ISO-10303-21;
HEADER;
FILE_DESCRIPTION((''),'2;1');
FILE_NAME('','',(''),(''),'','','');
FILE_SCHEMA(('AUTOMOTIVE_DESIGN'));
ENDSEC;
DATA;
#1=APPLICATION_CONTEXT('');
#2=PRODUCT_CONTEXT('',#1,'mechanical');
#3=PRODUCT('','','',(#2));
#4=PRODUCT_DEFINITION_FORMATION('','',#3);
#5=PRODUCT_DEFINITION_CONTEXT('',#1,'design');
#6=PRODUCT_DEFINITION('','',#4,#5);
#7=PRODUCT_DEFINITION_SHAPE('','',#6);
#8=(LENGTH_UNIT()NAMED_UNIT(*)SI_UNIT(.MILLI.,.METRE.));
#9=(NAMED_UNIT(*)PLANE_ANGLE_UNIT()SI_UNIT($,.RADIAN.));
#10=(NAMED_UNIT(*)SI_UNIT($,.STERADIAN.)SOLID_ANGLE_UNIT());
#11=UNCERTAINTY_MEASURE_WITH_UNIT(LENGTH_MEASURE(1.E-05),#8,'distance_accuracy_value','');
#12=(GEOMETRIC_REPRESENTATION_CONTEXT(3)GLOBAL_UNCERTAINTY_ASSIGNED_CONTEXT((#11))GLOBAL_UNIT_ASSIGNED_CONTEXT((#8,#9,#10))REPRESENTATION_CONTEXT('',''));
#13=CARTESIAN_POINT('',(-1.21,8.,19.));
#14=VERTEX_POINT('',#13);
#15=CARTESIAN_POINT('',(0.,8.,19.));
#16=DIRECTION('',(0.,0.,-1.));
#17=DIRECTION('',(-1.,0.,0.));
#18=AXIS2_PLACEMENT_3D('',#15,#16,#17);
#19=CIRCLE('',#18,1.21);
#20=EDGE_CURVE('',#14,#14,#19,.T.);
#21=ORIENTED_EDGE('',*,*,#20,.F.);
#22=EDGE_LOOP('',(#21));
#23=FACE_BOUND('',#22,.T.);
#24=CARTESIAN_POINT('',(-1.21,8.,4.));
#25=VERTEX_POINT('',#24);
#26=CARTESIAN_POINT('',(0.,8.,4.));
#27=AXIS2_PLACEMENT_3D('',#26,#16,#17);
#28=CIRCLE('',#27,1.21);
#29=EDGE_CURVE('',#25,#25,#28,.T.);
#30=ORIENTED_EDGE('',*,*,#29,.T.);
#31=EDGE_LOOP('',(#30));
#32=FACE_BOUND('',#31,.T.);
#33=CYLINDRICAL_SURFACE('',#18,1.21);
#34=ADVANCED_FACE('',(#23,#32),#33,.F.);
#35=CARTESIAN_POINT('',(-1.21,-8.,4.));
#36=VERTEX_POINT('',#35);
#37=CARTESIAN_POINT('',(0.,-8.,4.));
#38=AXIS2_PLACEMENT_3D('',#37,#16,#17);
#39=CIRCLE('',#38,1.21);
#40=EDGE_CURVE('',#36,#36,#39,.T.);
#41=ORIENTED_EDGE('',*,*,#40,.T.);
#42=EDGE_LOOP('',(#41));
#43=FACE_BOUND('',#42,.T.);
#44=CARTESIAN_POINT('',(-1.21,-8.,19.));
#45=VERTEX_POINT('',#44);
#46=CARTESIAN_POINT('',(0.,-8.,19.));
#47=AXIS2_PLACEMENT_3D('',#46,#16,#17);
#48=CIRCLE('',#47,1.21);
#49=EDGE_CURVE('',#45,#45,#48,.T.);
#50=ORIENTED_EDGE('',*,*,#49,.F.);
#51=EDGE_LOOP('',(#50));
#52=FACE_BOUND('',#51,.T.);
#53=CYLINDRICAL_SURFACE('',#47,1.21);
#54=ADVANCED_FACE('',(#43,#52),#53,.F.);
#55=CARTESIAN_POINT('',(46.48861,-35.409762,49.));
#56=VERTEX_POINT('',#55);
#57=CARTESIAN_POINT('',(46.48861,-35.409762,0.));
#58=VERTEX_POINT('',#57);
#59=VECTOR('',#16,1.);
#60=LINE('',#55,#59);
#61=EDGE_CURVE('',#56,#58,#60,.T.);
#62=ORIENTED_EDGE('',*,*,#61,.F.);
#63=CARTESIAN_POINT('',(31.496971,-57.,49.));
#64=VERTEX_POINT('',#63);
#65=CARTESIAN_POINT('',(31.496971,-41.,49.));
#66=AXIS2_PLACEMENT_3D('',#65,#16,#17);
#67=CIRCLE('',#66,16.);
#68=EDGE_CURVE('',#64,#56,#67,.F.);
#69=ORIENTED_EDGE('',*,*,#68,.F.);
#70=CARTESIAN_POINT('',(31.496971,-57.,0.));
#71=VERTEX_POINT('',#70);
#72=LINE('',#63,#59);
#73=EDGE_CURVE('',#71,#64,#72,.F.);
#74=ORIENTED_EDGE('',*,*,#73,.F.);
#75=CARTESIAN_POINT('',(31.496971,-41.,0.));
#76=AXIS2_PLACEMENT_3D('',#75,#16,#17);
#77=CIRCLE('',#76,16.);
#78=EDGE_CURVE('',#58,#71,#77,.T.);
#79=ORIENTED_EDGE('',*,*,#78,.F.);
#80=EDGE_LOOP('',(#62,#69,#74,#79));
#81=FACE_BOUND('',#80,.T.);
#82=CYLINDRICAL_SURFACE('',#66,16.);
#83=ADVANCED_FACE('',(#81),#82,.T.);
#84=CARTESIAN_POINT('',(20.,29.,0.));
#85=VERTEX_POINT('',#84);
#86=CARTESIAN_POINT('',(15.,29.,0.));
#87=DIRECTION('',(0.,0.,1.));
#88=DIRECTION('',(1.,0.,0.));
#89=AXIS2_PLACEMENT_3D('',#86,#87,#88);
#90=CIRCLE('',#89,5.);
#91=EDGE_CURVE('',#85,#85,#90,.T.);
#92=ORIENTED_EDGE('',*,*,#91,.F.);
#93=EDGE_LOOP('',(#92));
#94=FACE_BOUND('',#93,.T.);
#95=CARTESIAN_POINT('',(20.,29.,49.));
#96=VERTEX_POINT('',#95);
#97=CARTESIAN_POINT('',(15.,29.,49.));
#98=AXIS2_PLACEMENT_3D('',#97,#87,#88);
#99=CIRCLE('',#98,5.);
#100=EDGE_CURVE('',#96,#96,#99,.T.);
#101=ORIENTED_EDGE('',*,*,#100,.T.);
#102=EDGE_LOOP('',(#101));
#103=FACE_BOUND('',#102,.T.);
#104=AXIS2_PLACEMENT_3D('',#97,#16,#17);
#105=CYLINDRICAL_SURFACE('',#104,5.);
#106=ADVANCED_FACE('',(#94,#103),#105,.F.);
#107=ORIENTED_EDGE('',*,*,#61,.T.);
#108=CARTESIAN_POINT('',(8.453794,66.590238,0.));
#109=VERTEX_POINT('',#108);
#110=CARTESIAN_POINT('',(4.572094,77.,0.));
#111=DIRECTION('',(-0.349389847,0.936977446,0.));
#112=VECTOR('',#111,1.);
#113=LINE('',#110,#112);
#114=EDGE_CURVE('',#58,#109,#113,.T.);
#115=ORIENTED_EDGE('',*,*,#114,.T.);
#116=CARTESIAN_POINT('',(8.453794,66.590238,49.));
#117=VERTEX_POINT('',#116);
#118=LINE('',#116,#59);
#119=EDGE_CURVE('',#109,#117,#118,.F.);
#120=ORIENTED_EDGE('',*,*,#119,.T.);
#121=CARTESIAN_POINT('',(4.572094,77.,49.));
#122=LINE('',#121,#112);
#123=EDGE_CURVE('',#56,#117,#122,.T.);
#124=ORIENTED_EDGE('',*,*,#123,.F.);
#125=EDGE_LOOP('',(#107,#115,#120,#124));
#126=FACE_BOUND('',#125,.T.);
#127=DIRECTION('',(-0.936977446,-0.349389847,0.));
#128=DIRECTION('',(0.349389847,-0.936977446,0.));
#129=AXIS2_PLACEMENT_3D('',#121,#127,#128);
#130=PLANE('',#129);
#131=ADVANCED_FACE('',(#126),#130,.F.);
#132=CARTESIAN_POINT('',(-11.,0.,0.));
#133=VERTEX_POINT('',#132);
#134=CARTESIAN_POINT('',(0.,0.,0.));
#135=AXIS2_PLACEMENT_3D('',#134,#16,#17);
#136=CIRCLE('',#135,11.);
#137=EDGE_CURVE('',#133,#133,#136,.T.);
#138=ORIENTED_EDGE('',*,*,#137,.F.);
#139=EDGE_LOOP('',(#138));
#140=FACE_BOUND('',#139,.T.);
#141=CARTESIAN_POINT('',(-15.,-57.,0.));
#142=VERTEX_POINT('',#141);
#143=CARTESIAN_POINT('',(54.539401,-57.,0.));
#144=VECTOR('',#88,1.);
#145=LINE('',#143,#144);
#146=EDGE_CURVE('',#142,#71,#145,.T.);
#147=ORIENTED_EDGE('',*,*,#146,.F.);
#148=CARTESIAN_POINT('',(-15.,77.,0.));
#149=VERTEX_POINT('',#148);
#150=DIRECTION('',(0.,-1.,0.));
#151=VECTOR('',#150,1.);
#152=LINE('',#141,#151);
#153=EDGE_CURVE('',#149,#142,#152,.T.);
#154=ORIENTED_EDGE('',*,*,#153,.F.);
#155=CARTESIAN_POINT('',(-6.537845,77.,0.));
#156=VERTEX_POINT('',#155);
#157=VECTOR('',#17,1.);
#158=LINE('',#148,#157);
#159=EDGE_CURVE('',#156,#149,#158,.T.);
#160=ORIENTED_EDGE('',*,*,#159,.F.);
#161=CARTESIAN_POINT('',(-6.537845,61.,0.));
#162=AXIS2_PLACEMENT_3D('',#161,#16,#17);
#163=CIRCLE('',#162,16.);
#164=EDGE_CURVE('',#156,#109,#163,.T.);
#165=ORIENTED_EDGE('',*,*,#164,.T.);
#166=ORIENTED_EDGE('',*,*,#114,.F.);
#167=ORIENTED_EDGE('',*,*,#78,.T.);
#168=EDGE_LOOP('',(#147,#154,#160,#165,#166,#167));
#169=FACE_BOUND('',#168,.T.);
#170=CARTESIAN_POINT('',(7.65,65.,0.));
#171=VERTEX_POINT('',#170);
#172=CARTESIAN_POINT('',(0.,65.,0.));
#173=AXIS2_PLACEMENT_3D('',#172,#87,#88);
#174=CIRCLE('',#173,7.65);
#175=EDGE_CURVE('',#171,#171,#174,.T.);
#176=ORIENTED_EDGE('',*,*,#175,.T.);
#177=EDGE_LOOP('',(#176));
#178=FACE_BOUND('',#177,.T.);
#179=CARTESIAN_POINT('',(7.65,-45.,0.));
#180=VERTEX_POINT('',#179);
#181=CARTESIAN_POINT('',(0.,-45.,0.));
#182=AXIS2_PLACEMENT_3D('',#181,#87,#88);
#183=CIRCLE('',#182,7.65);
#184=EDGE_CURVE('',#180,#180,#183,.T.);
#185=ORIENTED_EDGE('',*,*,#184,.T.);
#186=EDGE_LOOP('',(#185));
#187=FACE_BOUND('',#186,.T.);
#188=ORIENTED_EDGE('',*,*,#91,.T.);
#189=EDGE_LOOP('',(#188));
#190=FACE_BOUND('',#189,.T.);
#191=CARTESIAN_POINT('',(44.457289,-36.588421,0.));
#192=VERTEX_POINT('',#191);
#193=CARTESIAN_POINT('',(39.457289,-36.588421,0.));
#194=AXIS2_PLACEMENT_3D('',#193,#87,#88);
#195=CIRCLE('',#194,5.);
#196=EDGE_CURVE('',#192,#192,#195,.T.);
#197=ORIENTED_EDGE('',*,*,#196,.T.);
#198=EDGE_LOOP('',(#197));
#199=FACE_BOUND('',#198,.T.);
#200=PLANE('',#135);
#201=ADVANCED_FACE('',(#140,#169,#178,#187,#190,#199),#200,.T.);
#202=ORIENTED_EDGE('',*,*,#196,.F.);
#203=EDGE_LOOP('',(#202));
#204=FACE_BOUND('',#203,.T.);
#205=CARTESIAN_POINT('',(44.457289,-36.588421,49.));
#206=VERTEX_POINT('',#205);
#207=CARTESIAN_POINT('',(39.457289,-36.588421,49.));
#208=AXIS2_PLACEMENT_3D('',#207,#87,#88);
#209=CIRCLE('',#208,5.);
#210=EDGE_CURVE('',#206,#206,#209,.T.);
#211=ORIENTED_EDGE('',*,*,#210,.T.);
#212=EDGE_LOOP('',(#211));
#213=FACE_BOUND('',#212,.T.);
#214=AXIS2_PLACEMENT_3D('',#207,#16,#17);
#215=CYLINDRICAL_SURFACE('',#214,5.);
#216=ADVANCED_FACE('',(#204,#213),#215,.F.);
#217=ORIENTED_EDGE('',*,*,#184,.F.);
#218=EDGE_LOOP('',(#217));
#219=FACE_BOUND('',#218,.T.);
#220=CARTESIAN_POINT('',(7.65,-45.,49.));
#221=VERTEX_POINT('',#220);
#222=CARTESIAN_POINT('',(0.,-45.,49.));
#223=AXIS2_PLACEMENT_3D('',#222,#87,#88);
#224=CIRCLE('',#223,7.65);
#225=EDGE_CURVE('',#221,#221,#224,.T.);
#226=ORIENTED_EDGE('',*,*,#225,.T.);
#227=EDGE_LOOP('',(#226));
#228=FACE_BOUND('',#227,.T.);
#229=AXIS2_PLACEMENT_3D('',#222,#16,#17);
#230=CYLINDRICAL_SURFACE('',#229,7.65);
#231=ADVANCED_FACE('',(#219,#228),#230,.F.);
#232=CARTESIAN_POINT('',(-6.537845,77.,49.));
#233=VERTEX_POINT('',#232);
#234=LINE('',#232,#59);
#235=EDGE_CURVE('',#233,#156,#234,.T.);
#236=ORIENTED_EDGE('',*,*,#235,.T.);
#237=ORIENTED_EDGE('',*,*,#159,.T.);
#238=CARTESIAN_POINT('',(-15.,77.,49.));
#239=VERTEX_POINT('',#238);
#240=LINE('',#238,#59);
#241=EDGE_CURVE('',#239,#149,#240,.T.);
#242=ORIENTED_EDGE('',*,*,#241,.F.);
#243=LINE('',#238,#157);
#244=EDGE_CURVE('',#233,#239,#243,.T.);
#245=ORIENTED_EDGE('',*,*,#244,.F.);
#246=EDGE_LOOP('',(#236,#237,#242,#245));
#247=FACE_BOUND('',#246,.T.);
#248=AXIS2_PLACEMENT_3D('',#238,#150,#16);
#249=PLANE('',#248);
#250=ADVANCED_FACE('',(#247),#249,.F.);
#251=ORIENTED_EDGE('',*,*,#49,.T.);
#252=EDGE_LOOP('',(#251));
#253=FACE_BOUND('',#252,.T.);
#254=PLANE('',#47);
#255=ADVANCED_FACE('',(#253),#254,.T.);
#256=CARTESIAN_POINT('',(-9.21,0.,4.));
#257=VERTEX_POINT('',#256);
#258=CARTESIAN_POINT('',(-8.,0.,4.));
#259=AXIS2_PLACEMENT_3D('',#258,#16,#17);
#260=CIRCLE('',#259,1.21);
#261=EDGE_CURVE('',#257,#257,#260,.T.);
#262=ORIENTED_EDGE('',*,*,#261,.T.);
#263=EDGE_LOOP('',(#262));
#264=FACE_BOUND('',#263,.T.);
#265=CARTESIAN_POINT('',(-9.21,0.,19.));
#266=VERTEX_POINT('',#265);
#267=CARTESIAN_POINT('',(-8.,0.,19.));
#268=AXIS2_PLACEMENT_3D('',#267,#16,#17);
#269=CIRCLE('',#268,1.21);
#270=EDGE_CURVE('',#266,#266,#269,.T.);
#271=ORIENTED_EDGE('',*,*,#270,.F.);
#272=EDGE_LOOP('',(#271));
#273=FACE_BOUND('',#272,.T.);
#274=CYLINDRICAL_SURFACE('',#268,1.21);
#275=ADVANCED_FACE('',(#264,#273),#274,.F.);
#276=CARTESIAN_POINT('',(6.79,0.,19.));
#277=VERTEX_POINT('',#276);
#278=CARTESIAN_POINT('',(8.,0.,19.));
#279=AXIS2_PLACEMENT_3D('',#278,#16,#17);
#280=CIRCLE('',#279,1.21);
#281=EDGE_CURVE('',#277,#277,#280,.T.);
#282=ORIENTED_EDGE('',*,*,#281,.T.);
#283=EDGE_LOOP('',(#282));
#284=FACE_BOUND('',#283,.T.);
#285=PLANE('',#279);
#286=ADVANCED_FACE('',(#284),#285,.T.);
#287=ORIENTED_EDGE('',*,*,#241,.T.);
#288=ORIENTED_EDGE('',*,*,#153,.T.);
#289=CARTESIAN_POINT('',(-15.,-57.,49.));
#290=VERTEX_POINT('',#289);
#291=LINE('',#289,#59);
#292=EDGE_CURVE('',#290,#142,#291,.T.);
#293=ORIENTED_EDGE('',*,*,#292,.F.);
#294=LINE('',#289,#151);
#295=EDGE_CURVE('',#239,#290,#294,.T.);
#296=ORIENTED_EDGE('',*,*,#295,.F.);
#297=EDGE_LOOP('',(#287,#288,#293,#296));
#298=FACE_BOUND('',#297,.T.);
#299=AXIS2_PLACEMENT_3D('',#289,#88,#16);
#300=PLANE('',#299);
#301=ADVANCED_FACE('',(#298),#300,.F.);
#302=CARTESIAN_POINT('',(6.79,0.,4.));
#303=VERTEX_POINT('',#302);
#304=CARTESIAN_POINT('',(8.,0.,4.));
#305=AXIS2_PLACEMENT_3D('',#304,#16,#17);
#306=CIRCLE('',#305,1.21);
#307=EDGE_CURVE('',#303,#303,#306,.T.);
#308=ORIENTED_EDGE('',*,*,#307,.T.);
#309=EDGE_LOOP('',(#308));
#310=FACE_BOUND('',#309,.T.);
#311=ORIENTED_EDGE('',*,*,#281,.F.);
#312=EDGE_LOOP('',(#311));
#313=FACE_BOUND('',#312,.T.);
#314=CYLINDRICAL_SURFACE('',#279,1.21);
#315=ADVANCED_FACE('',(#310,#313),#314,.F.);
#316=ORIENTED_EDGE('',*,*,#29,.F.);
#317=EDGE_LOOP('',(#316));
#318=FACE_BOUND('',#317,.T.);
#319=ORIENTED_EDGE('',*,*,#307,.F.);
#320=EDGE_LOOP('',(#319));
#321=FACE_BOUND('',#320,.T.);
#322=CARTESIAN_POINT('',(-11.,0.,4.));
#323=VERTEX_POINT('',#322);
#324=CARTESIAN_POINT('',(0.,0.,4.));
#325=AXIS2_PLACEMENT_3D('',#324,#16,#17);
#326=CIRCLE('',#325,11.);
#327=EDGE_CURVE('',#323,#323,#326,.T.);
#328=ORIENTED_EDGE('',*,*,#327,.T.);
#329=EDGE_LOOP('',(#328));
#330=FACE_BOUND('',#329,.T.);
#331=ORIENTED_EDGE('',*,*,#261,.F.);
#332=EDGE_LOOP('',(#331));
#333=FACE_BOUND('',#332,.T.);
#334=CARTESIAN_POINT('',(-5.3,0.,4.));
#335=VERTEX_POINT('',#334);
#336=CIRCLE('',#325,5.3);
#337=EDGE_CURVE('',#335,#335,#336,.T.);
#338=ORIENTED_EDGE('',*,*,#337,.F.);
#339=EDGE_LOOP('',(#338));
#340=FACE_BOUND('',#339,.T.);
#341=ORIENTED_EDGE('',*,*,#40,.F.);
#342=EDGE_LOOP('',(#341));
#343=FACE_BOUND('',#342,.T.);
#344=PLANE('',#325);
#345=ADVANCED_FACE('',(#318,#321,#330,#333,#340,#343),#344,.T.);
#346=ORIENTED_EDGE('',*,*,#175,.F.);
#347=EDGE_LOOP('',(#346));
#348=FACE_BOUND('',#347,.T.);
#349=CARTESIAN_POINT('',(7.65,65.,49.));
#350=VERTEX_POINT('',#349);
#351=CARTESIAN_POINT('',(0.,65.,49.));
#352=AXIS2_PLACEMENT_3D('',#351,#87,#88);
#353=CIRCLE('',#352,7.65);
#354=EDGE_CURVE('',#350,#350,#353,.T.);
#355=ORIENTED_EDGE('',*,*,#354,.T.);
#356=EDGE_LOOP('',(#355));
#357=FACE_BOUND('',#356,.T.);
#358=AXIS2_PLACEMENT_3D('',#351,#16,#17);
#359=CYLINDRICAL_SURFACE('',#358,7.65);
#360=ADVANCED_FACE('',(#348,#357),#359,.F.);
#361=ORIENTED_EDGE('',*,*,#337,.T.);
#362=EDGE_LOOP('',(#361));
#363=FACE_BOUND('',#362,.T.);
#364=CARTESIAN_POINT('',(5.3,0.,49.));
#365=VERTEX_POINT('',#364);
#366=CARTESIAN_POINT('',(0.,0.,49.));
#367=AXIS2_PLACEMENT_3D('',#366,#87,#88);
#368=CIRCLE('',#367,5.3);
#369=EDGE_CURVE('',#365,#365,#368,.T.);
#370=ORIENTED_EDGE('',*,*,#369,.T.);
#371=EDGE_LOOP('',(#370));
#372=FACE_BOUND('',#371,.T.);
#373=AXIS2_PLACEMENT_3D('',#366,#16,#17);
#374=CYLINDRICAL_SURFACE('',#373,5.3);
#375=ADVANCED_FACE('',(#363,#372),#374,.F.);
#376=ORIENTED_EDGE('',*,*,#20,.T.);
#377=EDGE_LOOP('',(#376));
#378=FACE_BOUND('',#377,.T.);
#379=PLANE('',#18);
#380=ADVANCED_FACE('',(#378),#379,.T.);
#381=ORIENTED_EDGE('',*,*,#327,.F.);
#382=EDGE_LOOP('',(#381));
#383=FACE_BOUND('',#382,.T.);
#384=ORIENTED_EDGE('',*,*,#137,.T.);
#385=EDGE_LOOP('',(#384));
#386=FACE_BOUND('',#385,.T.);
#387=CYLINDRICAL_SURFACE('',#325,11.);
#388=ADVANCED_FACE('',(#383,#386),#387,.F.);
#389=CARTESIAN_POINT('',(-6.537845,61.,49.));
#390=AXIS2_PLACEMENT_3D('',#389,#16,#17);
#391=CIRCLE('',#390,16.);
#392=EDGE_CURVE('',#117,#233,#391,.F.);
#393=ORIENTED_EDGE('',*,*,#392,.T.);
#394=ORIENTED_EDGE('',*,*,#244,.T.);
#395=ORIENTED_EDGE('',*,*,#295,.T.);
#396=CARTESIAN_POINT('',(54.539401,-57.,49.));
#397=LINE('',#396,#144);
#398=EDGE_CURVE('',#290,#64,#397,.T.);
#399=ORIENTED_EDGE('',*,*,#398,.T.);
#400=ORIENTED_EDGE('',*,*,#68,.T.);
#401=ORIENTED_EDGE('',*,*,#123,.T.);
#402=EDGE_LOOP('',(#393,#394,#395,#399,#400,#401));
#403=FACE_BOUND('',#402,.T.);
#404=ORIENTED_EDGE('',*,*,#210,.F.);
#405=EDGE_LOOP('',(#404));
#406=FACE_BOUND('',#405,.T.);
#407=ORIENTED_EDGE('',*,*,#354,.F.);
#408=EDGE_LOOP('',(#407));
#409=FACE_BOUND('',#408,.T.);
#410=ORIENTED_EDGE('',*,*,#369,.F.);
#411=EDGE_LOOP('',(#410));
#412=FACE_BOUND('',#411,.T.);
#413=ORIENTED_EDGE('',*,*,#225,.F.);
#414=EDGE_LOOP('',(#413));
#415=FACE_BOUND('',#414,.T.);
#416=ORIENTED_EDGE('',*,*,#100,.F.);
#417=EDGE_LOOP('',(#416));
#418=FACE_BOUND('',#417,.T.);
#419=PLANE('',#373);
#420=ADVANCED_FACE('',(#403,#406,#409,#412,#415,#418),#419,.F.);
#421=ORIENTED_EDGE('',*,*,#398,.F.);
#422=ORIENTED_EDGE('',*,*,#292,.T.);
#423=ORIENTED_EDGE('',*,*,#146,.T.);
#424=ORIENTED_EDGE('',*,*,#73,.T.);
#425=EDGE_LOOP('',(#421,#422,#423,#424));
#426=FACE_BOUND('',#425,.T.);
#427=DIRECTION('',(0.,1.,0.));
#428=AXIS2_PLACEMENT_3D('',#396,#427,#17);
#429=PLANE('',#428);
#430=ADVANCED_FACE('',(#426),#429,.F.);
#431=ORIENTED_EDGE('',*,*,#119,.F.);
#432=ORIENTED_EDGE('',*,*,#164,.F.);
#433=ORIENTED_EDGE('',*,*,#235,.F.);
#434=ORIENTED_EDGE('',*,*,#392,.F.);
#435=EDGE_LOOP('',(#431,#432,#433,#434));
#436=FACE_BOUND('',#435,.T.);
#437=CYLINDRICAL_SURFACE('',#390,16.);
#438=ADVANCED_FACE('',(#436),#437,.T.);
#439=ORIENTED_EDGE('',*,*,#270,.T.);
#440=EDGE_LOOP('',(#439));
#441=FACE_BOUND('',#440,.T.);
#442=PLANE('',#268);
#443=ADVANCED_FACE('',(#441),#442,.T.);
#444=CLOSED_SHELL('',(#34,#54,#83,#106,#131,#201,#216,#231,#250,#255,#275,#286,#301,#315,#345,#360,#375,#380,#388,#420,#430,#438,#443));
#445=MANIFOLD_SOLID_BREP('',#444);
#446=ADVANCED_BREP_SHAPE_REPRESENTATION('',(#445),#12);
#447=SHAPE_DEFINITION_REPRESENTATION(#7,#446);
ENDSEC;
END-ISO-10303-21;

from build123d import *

# Parameters (mm, degrees)
SZKIC1_R                    = 7.65
SZKIC1_R_2                  = 5.3
SZKIC1_R_3                  = 5
DODANIE_WYCI_GNI_CIE1_DEPTH = 49
ZAOKR_GLENIE1_R             = 16
SZKIC2_R                    = 11
WYTNIJ_WYCI_GNI_CIE1_DEPTH  = 4
SZKIC3_R                    = 1.21
WYTNIJ_WYCI_GNI_CIE2_DEPTH  = 15


with BuildPart() as part:
    # Szkic1 → Dodanie-wyciągnięcie1 (new body)
    with BuildSketch(Plane.XY):
        Polygon((-15, -57), (-15, 77), (4.572094065, 77), (54.539400892, -57), align=None)
        with Locations((0, 65)):
            Circle(SZKIC1_R, mode=Mode.SUBTRACT)
        with Locations((0, -45)):
            Circle(SZKIC1_R, mode=Mode.SUBTRACT)
        Circle(SZKIC1_R_2, mode=Mode.SUBTRACT)
        with Locations((15, 29)):
            Circle(SZKIC1_R_3, mode=Mode.SUBTRACT)
        with Locations((39.457289313, -36.58842123)):
            Circle(SZKIC1_R_3, mode=Mode.SUBTRACT)
    extrude(amount=DODANIE_WYCI_GNI_CIE1_DEPTH)

    # Zaokrąglenie1
    zaokr_glenie1_edges = [part.edges().sort_by_distance(p)[0] for p in [
        (4.572094065, 77, 24.5),
        (54.539400892, -57, 24.5),
    ]]
    fillet(zaokr_glenie1_edges, radius=ZAOKR_GLENIE1_R)

    # Szkic2 → Wytnij-wyciągnięcie1 (cut)
    with BuildSketch(Plane(origin=(0, 0, 0), x_dir=(-1, 0, 0), z_dir=(0, 0, -1))):
        Circle(SZKIC2_R)
    extrude(amount=-WYTNIJ_WYCI_GNI_CIE1_DEPTH, mode=Mode.SUBTRACT)

    # Szkic3 → Wytnij-wyciągnięcie2 (cut)
    with BuildSketch(Plane(origin=(0, 0, 4), x_dir=(-1, 0, 0), z_dir=(0, 0, -1))):
        with Locations((0, 8)):
            Circle(SZKIC3_R)
        with Locations((8, 0)):
            Circle(SZKIC3_R)
        with Locations((0, -8)):
            Circle(SZKIC3_R)
        with Locations((-8, 0)):
            Circle(SZKIC3_R)
    extrude(amount=-WYTNIJ_WYCI_GNI_CIE2_DEPTH, mode=Mode.SUBTRACT)


solid = part.part
